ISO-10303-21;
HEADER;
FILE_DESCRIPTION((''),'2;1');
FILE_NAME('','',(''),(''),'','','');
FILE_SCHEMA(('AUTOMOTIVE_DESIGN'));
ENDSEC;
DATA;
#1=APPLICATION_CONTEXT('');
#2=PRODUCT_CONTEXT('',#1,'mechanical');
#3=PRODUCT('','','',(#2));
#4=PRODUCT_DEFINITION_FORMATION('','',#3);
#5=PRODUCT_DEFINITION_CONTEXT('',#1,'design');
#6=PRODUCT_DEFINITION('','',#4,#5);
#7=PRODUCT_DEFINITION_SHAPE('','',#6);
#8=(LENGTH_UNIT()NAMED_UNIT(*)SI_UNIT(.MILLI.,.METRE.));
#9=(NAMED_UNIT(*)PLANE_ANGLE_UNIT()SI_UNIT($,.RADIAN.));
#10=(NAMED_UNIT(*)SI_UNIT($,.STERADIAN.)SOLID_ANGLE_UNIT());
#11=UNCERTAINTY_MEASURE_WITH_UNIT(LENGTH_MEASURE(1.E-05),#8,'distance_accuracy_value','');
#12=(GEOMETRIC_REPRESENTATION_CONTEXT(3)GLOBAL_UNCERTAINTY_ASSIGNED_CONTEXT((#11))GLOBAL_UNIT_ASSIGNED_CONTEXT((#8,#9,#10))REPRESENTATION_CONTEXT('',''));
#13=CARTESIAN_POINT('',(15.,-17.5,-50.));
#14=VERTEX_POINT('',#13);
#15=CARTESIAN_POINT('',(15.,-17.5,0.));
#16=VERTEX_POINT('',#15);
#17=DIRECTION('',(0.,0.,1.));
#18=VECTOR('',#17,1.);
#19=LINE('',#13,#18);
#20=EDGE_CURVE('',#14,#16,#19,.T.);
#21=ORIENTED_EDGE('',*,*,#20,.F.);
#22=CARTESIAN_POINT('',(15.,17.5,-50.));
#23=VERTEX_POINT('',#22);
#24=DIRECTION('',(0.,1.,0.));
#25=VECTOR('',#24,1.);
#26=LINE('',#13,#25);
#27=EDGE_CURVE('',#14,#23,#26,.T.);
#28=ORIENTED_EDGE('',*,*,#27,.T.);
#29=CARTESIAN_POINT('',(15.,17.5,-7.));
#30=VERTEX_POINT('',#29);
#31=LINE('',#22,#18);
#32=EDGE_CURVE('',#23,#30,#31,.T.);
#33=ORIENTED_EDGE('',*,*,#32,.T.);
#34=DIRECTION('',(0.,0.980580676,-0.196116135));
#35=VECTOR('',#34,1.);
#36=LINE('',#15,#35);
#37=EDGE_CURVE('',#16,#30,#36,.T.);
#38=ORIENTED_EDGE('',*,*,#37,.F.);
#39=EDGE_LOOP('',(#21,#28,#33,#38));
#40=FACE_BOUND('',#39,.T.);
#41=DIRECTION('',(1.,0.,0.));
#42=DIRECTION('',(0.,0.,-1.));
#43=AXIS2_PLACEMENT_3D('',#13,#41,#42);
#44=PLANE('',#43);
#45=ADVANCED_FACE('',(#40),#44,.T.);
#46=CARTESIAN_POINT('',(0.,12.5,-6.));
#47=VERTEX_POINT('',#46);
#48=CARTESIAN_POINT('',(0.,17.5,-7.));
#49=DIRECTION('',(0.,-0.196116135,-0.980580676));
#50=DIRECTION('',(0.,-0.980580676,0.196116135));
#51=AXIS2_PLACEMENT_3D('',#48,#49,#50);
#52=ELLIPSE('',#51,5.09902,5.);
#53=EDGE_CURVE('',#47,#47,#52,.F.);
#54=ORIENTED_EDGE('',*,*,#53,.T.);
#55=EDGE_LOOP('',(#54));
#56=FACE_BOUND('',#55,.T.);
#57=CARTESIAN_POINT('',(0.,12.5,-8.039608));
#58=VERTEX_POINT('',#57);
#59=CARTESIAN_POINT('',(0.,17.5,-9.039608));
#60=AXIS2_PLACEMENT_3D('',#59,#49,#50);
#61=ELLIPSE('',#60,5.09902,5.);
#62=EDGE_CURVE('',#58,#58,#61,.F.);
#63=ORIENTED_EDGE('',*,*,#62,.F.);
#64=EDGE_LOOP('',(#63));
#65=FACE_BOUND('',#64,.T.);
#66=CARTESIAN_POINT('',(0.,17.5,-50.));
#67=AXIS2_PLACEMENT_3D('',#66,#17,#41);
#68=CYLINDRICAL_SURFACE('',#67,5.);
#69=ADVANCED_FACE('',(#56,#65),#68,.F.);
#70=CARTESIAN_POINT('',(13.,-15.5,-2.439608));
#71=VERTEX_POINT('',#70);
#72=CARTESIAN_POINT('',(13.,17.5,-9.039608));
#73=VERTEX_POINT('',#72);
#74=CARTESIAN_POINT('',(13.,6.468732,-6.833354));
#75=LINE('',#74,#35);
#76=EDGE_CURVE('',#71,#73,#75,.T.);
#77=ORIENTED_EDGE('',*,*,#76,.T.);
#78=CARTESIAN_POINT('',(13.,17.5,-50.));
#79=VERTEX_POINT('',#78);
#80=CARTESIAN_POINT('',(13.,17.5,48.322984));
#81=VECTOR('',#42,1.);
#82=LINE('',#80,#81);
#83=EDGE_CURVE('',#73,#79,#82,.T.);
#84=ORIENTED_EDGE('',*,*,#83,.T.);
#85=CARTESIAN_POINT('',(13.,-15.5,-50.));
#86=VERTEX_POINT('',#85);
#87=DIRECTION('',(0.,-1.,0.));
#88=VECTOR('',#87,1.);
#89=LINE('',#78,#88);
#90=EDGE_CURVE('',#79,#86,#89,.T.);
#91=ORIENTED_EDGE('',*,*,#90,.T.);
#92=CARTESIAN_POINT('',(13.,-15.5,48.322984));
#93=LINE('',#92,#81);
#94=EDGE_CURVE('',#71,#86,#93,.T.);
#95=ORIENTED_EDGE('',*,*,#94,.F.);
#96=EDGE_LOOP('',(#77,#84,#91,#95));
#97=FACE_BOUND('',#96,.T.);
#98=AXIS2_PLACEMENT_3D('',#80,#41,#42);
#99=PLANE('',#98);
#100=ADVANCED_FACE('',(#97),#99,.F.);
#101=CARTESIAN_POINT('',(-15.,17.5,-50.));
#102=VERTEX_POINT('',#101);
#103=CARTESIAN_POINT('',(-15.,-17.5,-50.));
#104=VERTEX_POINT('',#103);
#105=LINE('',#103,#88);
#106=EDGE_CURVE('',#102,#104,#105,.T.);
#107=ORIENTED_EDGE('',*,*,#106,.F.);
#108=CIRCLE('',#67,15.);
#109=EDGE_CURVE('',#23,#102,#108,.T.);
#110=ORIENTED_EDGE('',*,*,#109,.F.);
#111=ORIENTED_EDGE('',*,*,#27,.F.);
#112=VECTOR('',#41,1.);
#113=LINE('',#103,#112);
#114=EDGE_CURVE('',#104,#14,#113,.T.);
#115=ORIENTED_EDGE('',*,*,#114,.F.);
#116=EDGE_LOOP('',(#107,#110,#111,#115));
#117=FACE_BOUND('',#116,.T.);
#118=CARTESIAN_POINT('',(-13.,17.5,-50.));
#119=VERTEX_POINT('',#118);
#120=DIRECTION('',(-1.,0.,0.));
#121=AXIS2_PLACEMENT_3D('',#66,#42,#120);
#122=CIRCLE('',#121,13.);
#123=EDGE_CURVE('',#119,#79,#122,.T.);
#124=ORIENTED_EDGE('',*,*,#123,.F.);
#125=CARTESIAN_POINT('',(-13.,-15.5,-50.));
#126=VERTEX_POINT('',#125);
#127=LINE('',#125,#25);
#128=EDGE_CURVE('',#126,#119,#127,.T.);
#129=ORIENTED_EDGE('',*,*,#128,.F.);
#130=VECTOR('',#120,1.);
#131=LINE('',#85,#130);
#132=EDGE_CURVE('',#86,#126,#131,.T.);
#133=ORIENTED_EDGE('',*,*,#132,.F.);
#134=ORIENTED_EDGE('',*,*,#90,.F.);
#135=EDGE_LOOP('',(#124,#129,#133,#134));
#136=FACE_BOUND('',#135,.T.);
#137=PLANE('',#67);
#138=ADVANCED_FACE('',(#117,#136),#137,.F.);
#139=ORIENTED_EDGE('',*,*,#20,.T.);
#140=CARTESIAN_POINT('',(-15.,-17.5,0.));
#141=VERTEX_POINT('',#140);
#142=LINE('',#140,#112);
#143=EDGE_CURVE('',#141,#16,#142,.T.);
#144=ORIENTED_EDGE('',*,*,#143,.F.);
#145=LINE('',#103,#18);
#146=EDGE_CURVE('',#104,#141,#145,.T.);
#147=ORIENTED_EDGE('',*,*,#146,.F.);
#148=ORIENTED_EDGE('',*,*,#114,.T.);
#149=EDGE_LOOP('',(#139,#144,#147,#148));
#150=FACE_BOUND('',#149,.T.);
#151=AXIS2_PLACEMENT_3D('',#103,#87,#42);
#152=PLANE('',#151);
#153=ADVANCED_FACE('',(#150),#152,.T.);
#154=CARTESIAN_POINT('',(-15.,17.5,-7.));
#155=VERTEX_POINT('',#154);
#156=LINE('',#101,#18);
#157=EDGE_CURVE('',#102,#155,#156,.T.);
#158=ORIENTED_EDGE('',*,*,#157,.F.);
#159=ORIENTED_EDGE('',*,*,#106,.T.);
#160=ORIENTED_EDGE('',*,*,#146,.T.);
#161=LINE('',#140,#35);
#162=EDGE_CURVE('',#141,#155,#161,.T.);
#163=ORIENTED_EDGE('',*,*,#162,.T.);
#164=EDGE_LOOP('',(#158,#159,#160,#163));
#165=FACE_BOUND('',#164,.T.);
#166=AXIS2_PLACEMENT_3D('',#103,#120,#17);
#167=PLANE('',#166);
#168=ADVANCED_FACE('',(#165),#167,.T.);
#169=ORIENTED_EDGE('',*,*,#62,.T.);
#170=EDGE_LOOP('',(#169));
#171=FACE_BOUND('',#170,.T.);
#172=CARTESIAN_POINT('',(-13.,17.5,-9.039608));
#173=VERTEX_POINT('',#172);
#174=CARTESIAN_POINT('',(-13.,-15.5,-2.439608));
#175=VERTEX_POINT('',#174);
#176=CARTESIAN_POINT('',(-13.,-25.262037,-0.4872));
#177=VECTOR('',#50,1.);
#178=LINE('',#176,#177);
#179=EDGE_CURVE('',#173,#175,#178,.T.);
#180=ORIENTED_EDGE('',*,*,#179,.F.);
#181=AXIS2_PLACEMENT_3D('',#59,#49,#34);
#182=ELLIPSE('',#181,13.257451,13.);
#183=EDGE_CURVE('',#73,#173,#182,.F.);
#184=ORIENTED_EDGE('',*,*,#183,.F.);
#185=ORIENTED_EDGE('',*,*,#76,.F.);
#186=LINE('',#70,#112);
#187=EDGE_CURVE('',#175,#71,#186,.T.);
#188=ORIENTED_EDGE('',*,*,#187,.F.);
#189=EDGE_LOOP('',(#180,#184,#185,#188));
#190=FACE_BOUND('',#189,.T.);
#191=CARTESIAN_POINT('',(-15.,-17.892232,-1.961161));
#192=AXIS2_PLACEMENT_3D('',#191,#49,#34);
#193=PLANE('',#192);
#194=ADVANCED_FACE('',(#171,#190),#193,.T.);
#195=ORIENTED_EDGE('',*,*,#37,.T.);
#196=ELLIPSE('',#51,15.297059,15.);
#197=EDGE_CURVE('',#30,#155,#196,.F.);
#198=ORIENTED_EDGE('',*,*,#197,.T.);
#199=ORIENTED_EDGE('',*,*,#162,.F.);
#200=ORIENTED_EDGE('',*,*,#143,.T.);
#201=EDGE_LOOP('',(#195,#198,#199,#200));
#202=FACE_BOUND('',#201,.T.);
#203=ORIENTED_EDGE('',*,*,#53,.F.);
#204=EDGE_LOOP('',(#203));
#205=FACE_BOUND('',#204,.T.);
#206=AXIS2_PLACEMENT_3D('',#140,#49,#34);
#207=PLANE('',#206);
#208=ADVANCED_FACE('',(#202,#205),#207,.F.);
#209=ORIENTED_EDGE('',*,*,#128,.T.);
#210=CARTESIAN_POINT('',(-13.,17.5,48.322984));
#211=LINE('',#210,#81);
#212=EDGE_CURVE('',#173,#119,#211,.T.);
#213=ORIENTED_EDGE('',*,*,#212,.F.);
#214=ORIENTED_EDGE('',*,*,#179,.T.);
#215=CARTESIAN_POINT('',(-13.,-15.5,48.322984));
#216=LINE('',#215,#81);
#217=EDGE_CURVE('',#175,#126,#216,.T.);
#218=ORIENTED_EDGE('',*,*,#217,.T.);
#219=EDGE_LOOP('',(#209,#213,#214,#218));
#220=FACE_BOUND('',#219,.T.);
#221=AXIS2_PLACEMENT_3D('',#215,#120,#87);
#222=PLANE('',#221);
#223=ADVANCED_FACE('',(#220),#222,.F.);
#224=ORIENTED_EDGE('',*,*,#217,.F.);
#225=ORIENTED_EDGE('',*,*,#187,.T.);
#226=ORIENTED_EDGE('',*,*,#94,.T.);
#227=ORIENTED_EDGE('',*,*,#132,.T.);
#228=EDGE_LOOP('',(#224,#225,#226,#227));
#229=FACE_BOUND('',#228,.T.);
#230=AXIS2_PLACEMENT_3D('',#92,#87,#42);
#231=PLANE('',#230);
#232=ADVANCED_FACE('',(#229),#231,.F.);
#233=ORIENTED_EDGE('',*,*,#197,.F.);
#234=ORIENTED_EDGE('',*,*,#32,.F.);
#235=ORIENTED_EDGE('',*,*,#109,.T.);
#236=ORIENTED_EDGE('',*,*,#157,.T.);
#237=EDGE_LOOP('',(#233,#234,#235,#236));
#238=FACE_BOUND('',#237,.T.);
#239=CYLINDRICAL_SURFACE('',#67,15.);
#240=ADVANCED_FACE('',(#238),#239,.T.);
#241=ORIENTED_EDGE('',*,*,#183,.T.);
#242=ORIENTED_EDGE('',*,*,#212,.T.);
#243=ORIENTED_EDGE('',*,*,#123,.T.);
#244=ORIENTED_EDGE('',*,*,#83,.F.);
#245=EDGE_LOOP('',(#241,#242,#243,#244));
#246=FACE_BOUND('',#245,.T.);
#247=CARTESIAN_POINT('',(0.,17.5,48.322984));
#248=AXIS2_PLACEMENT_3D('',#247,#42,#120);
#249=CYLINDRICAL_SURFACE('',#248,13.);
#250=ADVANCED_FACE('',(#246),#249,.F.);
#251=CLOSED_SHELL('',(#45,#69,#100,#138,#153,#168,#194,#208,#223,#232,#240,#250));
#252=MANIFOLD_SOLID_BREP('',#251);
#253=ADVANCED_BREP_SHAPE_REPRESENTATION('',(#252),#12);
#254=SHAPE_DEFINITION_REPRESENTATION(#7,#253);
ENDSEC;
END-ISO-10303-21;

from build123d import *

# Parameters (mm, degrees)
ESQUISSE1_R                  = 5
BOSS_EXTRU_1_DEPTH           = 50
ENL_V_MAT_EXTRU_1_DEPTH      = 16
ENL_V_MAT_EXTRU_1_DEPTH_BACK = 16
ENL_V_MAT_EXTRU_2_REACH      = 52


with BuildPart() as part:
    # Esquisse1 → Boss.-Extru.1 (new body)
    with BuildSketch(Plane.XY):
        with BuildLine():
            Line((-15, -17.5), (15, -17.5))
            Line((15, -17.5), (15, 17.5))
            ThreePointArc((15, 17.5), (0, 32.5), (-15, 17.5))
            Line((-15, 17.5), (-15, -17.5))
        make_face()
        with Locations((0, 17.5)):
            Circle(ESQUISSE1_R, mode=Mode.SUBTRACT)
    extrude(amount=-BOSS_EXTRU_1_DEPTH)

    # Esquisse2 → Enlèv. mat.-Extru.1 (cut, two sides)
    with BuildSketch(Plane(origin=(0, 0, 0), x_dir=(0, 0, -1), z_dir=(1, 0, 0))) as enl_v_mat_extru_1_sk:
        Polygon((0, -17.5), (10, 32.5), (0, 32.5), align=None)
    extrude(amount=ENL_V_MAT_EXTRU_1_DEPTH, mode=Mode.SUBTRACT)
    extrude(enl_v_mat_extru_1_sk.sketch, amount=-ENL_V_MAT_EXTRU_1_DEPTH_BACK, mode=Mode.SUBTRACT)

    # Enlèv. mat.-Extru.2: up to this plane
    enl_v_mat_extru_2_end = Plane(origin=(-15, -17.89223227, -1.961161351), z_dir=(0, -0.196116135, -0.980580676))
    # Esquisse3 → Enlèv. mat.-Extru.2 (cut, up to the surface)
    with BuildSketch(Plane(origin=(0, 0, -50), x_dir=(-1, 0, 0), z_dir=(0, 0, -1)), mode=Mode.PRIVATE) as enl_v_mat_extru_2_sk1:
        with BuildLine():
            Line((-13, 17.5), (-13, -15.5))
            Line((-13, -15.5), (13, -15.5))
            Line((13, -15.5), (13, 17.5))
            ThreePointArc((13, 17.5), (0, 30.5), (-13, 17.5))
        make_face()
    enl_v_mat_extru_2_tool1 = split(extrude(enl_v_mat_extru_2_sk1.sketch, amount=-ENL_V_MAT_EXTRU_2_REACH, mode=Mode.PRIVATE), bisect_by=enl_v_mat_extru_2_end, keep=Keep.BOTH, mode=Mode.PRIVATE)
    add(enl_v_mat_extru_2_tool1.solids().sort_by_distance((0, 6.202507, -50))[0], mode=Mode.SUBTRACT)


solid = part.part
